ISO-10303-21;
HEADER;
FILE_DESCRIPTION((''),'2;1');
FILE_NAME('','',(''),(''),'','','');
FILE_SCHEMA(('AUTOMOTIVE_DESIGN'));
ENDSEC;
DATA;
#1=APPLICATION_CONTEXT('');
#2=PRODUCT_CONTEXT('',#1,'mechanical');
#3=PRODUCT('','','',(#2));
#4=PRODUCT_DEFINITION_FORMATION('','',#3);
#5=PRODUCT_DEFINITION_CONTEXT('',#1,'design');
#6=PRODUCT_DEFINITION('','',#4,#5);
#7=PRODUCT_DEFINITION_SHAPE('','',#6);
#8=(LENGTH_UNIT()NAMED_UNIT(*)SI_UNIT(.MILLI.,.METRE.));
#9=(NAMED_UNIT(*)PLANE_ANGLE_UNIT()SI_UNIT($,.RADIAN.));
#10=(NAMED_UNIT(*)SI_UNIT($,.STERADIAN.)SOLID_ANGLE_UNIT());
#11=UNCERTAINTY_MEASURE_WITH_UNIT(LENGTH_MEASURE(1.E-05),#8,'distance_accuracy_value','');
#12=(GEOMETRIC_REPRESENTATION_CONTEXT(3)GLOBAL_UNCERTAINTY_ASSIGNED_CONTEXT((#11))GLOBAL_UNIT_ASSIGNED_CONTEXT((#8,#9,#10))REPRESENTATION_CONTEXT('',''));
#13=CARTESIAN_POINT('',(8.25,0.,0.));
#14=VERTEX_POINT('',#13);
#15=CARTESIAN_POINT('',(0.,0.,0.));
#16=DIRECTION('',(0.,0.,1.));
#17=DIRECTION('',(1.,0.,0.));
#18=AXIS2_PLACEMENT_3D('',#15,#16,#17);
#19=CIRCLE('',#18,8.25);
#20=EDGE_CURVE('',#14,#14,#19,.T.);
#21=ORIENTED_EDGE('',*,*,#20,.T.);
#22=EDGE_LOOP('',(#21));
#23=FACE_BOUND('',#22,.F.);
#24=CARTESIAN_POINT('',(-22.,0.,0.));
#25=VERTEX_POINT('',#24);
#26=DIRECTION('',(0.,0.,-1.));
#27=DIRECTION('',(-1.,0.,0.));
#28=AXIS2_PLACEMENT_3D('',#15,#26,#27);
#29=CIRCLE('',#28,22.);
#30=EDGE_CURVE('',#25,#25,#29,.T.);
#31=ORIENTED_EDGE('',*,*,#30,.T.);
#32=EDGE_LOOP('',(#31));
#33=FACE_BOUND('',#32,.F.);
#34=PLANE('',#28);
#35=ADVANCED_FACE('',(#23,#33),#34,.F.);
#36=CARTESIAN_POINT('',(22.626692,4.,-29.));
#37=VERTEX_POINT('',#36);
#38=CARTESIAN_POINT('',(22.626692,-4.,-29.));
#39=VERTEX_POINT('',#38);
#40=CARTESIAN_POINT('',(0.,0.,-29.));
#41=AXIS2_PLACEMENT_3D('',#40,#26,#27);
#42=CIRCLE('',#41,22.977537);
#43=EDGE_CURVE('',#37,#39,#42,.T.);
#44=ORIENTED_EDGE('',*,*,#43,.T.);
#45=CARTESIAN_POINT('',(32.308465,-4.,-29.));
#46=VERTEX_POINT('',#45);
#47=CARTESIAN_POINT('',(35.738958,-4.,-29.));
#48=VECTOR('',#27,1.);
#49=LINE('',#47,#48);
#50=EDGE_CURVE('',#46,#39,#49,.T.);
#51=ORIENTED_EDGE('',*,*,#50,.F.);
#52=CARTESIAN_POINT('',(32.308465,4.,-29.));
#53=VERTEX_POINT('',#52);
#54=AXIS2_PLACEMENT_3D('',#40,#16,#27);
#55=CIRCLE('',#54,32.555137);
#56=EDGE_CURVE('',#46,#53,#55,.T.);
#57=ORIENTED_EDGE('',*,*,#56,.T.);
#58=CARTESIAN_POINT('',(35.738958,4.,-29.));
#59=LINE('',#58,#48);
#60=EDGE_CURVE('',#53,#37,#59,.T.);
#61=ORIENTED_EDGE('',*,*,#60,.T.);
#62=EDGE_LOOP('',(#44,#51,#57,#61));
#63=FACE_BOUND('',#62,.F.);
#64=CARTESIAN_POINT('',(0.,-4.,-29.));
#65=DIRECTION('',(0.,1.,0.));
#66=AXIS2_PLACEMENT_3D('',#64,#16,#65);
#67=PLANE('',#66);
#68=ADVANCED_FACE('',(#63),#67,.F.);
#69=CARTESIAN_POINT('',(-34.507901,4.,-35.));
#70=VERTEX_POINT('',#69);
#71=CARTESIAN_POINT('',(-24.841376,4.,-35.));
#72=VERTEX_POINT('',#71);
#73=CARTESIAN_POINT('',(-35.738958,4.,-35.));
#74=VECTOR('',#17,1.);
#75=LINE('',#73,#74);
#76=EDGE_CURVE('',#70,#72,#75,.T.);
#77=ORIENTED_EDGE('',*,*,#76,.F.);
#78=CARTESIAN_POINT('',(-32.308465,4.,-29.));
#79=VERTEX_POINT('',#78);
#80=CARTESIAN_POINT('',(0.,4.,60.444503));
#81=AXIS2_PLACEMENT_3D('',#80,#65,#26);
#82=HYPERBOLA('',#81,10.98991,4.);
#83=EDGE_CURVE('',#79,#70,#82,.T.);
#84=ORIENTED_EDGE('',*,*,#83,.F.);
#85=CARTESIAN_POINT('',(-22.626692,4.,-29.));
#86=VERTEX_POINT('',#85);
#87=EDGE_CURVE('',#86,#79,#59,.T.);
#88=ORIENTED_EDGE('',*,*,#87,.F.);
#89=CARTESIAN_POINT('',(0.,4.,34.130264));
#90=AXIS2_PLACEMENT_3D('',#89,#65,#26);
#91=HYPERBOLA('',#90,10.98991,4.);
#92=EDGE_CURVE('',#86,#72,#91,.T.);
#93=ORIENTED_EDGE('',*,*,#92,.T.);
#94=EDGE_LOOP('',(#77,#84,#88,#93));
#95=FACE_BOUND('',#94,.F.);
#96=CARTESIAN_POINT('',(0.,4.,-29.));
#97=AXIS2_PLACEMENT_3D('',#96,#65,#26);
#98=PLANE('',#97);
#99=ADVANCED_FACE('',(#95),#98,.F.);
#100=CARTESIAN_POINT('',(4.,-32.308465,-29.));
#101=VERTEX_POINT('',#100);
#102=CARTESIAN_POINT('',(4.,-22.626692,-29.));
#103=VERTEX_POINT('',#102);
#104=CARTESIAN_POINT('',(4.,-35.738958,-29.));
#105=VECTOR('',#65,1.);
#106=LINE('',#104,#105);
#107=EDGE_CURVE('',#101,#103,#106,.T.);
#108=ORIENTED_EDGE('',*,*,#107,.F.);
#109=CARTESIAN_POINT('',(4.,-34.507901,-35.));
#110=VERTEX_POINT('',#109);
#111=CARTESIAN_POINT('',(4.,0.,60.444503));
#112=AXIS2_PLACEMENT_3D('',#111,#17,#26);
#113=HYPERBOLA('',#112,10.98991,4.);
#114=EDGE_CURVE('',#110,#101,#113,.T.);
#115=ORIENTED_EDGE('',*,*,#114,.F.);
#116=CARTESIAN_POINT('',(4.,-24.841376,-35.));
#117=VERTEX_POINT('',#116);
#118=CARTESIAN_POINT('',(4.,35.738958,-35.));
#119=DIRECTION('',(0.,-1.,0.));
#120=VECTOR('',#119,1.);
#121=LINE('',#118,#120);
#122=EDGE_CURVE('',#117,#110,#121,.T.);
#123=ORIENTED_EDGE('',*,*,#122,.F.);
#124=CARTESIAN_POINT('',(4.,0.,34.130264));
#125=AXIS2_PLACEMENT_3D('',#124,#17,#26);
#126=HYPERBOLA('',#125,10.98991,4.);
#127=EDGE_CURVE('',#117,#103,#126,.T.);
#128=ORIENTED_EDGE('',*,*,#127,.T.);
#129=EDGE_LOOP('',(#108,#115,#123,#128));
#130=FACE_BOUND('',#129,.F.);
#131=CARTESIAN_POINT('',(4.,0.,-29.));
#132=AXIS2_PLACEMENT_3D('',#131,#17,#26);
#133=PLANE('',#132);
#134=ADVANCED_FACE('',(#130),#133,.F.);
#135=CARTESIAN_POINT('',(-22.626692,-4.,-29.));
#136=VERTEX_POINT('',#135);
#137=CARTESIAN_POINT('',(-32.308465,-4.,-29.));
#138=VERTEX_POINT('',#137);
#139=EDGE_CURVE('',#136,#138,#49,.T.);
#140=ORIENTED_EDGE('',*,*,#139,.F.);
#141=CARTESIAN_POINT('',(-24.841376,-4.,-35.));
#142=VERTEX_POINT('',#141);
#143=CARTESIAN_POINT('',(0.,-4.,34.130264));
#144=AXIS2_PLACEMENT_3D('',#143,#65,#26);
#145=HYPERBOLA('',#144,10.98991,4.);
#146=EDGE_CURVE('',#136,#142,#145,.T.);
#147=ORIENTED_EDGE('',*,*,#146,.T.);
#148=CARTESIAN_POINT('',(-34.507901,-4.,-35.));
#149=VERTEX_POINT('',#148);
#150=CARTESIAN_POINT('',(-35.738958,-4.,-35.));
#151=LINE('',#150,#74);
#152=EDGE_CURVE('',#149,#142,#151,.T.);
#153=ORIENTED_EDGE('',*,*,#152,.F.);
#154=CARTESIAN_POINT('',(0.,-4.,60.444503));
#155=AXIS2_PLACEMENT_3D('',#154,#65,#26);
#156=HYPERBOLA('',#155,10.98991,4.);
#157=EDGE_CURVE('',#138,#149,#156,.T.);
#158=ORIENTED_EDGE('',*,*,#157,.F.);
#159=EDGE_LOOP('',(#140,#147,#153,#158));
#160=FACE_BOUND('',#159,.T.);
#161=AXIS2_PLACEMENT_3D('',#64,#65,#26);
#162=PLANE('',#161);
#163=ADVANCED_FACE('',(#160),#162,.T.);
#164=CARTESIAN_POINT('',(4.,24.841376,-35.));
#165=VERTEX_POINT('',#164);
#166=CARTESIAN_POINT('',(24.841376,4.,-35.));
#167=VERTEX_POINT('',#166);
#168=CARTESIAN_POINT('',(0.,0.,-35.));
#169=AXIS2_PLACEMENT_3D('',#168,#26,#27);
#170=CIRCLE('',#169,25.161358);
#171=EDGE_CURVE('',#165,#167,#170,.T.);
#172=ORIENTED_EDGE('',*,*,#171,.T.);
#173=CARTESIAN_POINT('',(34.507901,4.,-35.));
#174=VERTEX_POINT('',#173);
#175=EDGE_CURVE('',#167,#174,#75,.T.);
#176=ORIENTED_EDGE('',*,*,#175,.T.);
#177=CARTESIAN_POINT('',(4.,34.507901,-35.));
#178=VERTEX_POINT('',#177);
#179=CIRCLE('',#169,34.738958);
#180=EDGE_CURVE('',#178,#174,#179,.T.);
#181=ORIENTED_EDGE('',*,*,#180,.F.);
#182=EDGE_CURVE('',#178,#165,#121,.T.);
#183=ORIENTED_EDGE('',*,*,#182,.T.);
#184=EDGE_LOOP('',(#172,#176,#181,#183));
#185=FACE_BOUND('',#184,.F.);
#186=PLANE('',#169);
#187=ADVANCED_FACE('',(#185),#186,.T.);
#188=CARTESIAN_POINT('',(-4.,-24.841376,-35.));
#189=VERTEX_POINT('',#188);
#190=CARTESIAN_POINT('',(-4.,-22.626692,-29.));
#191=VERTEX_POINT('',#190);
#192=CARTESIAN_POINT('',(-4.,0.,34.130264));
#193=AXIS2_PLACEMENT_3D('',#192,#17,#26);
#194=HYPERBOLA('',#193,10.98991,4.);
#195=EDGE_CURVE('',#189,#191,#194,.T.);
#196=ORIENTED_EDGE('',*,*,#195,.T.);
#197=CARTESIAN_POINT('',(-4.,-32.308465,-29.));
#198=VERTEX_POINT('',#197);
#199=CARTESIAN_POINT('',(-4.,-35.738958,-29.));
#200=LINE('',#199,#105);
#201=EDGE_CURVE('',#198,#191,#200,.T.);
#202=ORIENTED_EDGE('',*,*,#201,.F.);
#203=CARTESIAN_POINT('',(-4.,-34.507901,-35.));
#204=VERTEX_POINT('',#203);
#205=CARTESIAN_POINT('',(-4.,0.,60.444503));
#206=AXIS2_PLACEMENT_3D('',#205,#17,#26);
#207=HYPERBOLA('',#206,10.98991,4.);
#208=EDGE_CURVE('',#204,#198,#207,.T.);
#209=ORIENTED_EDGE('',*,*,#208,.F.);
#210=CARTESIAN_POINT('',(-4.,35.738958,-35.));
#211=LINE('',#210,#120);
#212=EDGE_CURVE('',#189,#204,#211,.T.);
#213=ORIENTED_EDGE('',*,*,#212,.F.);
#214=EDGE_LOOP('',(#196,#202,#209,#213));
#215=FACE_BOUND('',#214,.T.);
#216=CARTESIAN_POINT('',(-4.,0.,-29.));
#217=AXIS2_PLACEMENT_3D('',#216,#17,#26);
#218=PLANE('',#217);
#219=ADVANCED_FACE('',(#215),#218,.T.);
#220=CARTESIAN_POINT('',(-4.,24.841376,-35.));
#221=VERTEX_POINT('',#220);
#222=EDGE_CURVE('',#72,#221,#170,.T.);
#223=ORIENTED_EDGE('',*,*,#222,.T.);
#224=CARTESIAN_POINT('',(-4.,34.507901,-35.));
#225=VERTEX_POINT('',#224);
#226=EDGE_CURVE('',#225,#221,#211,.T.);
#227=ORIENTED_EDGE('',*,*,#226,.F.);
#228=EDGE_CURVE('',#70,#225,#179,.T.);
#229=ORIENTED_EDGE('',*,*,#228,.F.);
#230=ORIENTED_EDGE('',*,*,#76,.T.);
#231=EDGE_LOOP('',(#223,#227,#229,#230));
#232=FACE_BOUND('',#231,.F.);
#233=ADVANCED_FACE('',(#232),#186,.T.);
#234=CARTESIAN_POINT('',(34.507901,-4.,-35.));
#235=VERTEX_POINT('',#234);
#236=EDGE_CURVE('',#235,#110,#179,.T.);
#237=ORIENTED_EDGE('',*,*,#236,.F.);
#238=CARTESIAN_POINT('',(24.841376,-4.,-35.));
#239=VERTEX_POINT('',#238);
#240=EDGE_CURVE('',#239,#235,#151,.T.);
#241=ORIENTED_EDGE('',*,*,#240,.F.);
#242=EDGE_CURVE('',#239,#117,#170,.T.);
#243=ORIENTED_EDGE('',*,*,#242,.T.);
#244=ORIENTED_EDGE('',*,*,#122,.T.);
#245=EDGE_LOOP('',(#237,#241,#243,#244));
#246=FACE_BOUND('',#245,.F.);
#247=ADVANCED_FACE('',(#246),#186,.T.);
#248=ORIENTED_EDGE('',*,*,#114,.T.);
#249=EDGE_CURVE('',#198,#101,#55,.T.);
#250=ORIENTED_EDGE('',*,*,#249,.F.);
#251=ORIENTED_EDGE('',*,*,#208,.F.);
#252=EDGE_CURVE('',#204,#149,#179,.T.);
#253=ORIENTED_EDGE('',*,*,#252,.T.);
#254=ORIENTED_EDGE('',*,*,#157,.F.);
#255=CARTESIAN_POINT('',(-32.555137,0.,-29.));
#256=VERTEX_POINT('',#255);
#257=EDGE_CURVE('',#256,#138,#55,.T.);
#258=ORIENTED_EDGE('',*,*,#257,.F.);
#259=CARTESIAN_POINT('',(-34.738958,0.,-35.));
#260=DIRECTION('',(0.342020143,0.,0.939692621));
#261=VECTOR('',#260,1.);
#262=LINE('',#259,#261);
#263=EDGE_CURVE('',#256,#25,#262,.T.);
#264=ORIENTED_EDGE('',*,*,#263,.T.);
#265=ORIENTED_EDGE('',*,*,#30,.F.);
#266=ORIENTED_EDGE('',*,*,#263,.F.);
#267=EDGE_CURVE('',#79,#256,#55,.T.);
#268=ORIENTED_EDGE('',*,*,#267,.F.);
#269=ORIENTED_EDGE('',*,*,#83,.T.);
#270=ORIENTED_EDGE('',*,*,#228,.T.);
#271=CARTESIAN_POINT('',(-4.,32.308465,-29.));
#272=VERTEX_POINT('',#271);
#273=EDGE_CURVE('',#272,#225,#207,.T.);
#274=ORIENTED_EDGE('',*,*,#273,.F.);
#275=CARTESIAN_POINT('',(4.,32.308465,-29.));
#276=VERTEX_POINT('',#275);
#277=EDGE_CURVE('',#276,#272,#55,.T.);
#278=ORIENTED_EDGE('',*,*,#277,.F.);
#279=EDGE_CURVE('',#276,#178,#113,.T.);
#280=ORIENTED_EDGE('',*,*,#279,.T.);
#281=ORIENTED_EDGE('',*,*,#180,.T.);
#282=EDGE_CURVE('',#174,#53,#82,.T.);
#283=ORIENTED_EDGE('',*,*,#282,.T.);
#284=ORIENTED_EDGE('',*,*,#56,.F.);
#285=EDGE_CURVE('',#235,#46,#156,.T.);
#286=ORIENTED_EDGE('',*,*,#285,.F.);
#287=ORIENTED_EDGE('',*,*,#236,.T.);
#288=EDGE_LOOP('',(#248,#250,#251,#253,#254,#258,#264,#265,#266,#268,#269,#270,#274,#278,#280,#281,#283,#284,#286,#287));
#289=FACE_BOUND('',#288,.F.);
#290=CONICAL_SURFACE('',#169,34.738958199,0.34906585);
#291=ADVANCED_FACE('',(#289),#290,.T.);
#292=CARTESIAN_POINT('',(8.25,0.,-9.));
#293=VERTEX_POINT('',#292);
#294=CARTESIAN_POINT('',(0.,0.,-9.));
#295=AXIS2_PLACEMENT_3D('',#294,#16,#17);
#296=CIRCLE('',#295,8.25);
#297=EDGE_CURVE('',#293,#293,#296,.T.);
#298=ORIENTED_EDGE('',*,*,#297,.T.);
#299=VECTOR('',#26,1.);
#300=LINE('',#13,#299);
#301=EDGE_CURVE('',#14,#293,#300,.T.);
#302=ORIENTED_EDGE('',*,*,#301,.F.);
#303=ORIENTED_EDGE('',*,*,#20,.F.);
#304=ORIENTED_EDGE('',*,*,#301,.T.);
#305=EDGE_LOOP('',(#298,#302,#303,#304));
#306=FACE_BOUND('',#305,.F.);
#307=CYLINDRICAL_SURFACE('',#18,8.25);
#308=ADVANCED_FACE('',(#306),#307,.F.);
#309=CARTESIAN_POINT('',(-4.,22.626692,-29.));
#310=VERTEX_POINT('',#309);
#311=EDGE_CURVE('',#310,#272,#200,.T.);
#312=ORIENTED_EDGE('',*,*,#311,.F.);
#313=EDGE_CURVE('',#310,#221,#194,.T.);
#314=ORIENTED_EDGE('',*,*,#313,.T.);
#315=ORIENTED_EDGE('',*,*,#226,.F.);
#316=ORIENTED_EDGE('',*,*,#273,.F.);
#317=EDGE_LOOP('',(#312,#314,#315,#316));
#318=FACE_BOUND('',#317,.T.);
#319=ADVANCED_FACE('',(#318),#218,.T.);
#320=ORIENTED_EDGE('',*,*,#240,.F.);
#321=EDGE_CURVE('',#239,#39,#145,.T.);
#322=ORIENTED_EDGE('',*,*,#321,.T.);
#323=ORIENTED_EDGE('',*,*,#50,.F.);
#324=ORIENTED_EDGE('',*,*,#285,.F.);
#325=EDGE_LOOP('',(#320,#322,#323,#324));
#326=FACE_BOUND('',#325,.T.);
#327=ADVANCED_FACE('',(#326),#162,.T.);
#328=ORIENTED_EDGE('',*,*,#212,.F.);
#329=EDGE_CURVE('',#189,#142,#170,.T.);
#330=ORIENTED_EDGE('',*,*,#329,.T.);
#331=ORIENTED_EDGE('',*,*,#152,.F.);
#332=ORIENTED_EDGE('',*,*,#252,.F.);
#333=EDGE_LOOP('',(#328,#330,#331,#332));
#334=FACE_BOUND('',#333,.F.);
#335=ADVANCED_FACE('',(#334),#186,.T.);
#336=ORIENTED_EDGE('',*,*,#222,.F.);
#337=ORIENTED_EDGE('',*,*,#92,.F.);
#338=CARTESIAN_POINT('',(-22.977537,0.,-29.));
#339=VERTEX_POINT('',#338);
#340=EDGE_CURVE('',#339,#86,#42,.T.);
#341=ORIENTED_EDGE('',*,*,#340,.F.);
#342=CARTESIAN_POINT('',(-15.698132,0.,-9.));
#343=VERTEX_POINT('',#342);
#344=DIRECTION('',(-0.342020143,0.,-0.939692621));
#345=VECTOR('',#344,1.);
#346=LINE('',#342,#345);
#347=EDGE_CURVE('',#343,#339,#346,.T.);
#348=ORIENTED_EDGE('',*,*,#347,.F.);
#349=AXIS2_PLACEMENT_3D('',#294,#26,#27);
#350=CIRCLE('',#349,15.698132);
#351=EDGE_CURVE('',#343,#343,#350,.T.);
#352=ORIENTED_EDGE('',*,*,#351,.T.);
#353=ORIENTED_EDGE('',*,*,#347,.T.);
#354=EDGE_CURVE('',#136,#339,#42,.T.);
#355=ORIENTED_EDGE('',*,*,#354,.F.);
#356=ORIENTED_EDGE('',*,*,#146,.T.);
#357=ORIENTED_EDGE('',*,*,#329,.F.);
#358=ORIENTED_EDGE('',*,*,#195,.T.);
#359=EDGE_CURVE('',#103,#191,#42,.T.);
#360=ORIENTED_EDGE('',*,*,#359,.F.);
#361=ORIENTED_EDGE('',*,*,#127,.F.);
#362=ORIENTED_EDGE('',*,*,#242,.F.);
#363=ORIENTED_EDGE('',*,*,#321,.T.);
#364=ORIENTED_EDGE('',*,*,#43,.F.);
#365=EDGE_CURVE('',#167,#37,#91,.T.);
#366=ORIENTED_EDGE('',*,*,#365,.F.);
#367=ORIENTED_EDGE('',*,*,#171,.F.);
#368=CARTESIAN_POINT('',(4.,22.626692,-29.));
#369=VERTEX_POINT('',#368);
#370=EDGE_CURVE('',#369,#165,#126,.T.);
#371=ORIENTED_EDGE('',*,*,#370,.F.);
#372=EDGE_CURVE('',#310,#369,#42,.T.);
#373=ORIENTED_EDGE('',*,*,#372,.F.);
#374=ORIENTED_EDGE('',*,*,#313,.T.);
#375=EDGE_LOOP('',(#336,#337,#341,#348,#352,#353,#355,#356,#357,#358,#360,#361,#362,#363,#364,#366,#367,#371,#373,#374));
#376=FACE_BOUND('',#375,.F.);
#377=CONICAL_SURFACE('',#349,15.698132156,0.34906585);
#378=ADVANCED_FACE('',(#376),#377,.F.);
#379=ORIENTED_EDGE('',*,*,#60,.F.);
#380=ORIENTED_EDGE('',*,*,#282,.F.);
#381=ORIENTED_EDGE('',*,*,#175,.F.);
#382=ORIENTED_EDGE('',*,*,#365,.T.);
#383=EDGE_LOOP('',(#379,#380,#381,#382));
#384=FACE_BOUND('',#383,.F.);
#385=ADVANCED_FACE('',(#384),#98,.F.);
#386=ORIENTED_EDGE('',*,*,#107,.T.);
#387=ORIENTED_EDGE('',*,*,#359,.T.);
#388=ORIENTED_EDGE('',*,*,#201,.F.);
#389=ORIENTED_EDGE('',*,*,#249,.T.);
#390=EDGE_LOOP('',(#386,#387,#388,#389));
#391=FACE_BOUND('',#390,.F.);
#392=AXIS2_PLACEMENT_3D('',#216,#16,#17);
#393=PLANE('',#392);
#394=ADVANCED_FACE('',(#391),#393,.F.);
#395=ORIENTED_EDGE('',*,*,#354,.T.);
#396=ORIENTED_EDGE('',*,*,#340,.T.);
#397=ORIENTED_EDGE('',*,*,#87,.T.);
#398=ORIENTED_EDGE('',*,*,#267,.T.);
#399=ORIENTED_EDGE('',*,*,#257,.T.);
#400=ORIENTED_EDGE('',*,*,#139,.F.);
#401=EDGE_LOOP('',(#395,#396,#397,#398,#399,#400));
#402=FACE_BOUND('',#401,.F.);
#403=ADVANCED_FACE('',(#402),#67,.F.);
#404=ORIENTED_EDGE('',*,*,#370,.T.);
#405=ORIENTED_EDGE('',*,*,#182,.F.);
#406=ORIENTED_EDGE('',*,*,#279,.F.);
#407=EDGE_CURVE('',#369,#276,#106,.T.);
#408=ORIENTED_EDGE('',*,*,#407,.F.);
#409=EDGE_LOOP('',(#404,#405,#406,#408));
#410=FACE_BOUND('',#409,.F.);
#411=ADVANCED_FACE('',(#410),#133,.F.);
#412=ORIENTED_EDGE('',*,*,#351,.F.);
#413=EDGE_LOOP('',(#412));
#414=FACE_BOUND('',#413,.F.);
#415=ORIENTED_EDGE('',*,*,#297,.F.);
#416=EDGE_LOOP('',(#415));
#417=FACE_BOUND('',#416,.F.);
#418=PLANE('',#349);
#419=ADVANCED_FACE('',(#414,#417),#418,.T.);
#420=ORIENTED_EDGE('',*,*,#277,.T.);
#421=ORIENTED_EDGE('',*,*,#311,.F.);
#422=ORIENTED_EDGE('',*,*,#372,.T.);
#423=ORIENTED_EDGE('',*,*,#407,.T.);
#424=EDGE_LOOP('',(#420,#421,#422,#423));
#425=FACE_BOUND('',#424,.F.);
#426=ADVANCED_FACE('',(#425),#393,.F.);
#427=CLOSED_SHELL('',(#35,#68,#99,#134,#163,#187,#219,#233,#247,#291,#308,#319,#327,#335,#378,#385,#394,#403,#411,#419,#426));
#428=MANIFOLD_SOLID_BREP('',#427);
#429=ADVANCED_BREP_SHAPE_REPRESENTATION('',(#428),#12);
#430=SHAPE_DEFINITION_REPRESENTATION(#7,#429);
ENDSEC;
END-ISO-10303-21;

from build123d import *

# Parameters (mm, degrees)
CUT_EXTRUDE_1_REACH      = 37
SKETCH_2_R               = 8.25
SKETCH_3_W               = 8
SKETCH_3_H               = 6
CUT_EXTRUDE_2_DEPTH      = 35.738958199
PATTERN_CIRCULAR_1_COUNT = 4


with BuildPart() as part:
    # 草图1 → 旋转1 (revolve)
    with BuildSketch(Plane(origin=(0, 0, 0), x_dir=(1, 0, 0), z_dir=(0, 1, 0))):
        Polygon((-22, 0), (0, 0), (0, 9), (-15.698132156, 9), (-25.161358247, 35), (-34.738958199, 35), align=None)
    revolve(axis=Axis((0, 0, 0), (0, 0, -1)))

    # 草图2 → 切除-拉伸1 (cut, up to next)
    with BuildSketch(Plane.XY, mode=Mode.PRIVATE) as cut_extrude_1_sk1:
        Circle(SKETCH_2_R)
    cut_extrude_1_tool1 = extrude(cut_extrude_1_sk1.sketch, amount=-CUT_EXTRUDE_1_REACH, mode=Mode.PRIVATE) & part.part
    add(cut_extrude_1_tool1.solids().sort_by_distance((0, 0, 0))[0], mode=Mode.SUBTRACT)

    # 草图3 → 切除-拉伸2 (cut, symmetric)
    with BuildSketch(Plane(origin=(0, 0, 0), x_dir=(1, 0, 0), z_dir=(0, 1, 0))):
        with Locations((0, 32)):
            Rectangle(SKETCH_3_W, SKETCH_3_H)
    cut_extrude_2 = extrude(amount=CUT_EXTRUDE_2_DEPTH, both=True, mode=Mode.SUBTRACT)

    # 阵列(圆周)1: 切除-拉伸2 ×4 about axis
    pattern_circular_1_axis = Axis((0, 0, 0), (0, 0, 1))
    for i in range(1, PATTERN_CIRCULAR_1_COUNT):
        add(cut_extrude_2.rotate(pattern_circular_1_axis, i * 360 / PATTERN_CIRCULAR_1_COUNT), mode=Mode.SUBTRACT)


solid = part.part
